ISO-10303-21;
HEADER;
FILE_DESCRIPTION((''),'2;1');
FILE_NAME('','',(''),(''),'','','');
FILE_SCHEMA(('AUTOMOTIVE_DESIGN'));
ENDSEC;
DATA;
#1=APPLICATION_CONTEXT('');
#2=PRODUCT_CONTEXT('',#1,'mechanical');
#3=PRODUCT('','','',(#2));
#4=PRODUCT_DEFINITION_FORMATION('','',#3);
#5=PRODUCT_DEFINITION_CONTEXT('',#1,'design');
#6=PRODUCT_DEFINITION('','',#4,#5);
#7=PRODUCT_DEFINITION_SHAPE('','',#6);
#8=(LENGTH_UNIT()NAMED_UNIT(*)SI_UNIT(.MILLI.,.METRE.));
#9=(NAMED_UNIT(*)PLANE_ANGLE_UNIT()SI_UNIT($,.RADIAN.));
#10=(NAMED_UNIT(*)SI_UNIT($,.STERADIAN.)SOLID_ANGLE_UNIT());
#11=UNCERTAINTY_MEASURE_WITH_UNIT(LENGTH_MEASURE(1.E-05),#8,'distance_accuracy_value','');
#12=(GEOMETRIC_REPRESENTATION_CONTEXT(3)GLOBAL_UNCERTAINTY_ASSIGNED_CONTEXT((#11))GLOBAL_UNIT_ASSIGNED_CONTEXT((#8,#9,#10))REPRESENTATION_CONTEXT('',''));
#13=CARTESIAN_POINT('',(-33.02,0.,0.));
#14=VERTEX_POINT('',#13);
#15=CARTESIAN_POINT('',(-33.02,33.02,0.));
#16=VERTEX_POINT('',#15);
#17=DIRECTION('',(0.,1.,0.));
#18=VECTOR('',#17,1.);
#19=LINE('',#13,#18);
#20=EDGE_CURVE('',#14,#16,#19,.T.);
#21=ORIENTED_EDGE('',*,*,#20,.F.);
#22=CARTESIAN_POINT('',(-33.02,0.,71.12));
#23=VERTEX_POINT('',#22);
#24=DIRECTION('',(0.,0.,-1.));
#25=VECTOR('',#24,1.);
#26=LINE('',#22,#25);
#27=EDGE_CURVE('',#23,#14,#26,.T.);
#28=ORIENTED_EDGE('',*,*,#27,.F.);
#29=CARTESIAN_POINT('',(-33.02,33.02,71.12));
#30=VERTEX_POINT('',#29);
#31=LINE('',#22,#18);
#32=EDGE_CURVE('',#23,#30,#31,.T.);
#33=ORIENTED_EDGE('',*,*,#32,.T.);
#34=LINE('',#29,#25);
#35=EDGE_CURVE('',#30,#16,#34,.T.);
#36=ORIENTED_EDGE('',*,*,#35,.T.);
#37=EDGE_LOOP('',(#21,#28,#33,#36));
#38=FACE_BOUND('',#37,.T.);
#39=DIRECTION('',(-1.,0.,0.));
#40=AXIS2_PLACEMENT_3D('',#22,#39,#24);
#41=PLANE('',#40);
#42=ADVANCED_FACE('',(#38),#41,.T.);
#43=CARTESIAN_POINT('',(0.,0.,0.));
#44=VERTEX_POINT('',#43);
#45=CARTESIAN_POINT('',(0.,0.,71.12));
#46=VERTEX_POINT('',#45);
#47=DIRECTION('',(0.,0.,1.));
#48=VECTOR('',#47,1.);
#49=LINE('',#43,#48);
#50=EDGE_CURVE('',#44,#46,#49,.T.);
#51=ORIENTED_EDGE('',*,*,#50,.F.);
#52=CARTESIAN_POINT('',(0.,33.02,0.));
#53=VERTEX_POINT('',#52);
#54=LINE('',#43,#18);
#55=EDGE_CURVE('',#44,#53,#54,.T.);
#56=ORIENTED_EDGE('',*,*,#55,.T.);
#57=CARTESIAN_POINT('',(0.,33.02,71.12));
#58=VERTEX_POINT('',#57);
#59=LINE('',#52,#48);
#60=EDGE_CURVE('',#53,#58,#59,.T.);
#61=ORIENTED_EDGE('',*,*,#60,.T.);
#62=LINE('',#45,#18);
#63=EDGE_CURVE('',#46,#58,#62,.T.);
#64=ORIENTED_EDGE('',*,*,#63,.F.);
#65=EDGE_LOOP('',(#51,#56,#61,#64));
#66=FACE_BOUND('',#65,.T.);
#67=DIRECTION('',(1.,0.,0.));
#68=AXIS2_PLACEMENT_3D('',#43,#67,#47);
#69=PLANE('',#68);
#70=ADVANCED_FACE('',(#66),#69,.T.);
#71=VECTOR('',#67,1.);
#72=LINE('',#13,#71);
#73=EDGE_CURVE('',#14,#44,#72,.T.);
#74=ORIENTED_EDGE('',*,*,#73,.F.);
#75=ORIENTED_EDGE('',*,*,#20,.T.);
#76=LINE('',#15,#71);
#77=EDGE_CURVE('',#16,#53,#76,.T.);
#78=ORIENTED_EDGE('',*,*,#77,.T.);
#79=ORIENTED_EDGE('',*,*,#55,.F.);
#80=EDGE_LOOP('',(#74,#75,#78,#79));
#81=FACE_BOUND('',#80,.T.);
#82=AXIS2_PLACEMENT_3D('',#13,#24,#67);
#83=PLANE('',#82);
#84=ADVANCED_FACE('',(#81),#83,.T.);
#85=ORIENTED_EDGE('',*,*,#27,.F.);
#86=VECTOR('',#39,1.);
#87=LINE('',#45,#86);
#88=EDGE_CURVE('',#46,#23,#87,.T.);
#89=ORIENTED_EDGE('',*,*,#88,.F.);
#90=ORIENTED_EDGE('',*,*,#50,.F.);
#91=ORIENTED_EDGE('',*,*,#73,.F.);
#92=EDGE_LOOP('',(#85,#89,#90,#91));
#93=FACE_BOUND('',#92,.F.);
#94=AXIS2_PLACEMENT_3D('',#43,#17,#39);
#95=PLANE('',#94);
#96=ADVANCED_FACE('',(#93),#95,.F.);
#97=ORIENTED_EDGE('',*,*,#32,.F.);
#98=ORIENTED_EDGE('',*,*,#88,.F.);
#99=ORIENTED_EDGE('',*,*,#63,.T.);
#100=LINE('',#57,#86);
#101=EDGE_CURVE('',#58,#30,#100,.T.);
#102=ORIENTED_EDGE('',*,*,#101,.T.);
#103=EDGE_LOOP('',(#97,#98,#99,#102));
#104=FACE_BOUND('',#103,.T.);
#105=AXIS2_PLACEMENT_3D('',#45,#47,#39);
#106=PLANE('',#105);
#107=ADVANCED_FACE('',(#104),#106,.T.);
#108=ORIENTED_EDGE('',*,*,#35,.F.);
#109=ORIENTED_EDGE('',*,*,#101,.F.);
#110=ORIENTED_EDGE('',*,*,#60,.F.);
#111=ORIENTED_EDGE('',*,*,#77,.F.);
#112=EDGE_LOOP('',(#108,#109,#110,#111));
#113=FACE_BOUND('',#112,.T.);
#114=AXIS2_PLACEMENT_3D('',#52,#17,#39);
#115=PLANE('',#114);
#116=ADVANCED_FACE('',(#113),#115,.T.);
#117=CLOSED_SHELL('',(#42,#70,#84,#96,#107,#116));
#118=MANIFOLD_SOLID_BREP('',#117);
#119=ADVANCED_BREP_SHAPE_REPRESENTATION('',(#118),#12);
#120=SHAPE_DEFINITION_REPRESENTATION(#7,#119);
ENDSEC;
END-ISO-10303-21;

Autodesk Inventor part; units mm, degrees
ref_plane "YZ Plane" through (0, 0, 0) normal (1, 0, 0) x (0, 1, 0)
ref_plane "XZ Plane" through (0, 0, 0) normal (0, 1, 0) x (-1, 0, 0)
ref_plane "XY Plane" through (0, 0, 0) normal (0, 0, 1) x (1, 0, 0)
sketch "Sketch1" plane through (0, 0, 0) normal (0, 1, 0) x (-1, 0, 0)
  line L0 (0, 0) -> (0, 71.12)
  line L1 (0, 71.12) -> (33.02, 71.12)
  line L2 (33.02, 71.12) -> (33.02, 0)
  line L3 (33.02, 0) -> (0, 0)
  dimension "d0" = 71.12
  dimension "d1" = 33.02
extrude "Extrusion1" add sketch "Sketch1" along normal blind 33.02
properties part number "Camera"
